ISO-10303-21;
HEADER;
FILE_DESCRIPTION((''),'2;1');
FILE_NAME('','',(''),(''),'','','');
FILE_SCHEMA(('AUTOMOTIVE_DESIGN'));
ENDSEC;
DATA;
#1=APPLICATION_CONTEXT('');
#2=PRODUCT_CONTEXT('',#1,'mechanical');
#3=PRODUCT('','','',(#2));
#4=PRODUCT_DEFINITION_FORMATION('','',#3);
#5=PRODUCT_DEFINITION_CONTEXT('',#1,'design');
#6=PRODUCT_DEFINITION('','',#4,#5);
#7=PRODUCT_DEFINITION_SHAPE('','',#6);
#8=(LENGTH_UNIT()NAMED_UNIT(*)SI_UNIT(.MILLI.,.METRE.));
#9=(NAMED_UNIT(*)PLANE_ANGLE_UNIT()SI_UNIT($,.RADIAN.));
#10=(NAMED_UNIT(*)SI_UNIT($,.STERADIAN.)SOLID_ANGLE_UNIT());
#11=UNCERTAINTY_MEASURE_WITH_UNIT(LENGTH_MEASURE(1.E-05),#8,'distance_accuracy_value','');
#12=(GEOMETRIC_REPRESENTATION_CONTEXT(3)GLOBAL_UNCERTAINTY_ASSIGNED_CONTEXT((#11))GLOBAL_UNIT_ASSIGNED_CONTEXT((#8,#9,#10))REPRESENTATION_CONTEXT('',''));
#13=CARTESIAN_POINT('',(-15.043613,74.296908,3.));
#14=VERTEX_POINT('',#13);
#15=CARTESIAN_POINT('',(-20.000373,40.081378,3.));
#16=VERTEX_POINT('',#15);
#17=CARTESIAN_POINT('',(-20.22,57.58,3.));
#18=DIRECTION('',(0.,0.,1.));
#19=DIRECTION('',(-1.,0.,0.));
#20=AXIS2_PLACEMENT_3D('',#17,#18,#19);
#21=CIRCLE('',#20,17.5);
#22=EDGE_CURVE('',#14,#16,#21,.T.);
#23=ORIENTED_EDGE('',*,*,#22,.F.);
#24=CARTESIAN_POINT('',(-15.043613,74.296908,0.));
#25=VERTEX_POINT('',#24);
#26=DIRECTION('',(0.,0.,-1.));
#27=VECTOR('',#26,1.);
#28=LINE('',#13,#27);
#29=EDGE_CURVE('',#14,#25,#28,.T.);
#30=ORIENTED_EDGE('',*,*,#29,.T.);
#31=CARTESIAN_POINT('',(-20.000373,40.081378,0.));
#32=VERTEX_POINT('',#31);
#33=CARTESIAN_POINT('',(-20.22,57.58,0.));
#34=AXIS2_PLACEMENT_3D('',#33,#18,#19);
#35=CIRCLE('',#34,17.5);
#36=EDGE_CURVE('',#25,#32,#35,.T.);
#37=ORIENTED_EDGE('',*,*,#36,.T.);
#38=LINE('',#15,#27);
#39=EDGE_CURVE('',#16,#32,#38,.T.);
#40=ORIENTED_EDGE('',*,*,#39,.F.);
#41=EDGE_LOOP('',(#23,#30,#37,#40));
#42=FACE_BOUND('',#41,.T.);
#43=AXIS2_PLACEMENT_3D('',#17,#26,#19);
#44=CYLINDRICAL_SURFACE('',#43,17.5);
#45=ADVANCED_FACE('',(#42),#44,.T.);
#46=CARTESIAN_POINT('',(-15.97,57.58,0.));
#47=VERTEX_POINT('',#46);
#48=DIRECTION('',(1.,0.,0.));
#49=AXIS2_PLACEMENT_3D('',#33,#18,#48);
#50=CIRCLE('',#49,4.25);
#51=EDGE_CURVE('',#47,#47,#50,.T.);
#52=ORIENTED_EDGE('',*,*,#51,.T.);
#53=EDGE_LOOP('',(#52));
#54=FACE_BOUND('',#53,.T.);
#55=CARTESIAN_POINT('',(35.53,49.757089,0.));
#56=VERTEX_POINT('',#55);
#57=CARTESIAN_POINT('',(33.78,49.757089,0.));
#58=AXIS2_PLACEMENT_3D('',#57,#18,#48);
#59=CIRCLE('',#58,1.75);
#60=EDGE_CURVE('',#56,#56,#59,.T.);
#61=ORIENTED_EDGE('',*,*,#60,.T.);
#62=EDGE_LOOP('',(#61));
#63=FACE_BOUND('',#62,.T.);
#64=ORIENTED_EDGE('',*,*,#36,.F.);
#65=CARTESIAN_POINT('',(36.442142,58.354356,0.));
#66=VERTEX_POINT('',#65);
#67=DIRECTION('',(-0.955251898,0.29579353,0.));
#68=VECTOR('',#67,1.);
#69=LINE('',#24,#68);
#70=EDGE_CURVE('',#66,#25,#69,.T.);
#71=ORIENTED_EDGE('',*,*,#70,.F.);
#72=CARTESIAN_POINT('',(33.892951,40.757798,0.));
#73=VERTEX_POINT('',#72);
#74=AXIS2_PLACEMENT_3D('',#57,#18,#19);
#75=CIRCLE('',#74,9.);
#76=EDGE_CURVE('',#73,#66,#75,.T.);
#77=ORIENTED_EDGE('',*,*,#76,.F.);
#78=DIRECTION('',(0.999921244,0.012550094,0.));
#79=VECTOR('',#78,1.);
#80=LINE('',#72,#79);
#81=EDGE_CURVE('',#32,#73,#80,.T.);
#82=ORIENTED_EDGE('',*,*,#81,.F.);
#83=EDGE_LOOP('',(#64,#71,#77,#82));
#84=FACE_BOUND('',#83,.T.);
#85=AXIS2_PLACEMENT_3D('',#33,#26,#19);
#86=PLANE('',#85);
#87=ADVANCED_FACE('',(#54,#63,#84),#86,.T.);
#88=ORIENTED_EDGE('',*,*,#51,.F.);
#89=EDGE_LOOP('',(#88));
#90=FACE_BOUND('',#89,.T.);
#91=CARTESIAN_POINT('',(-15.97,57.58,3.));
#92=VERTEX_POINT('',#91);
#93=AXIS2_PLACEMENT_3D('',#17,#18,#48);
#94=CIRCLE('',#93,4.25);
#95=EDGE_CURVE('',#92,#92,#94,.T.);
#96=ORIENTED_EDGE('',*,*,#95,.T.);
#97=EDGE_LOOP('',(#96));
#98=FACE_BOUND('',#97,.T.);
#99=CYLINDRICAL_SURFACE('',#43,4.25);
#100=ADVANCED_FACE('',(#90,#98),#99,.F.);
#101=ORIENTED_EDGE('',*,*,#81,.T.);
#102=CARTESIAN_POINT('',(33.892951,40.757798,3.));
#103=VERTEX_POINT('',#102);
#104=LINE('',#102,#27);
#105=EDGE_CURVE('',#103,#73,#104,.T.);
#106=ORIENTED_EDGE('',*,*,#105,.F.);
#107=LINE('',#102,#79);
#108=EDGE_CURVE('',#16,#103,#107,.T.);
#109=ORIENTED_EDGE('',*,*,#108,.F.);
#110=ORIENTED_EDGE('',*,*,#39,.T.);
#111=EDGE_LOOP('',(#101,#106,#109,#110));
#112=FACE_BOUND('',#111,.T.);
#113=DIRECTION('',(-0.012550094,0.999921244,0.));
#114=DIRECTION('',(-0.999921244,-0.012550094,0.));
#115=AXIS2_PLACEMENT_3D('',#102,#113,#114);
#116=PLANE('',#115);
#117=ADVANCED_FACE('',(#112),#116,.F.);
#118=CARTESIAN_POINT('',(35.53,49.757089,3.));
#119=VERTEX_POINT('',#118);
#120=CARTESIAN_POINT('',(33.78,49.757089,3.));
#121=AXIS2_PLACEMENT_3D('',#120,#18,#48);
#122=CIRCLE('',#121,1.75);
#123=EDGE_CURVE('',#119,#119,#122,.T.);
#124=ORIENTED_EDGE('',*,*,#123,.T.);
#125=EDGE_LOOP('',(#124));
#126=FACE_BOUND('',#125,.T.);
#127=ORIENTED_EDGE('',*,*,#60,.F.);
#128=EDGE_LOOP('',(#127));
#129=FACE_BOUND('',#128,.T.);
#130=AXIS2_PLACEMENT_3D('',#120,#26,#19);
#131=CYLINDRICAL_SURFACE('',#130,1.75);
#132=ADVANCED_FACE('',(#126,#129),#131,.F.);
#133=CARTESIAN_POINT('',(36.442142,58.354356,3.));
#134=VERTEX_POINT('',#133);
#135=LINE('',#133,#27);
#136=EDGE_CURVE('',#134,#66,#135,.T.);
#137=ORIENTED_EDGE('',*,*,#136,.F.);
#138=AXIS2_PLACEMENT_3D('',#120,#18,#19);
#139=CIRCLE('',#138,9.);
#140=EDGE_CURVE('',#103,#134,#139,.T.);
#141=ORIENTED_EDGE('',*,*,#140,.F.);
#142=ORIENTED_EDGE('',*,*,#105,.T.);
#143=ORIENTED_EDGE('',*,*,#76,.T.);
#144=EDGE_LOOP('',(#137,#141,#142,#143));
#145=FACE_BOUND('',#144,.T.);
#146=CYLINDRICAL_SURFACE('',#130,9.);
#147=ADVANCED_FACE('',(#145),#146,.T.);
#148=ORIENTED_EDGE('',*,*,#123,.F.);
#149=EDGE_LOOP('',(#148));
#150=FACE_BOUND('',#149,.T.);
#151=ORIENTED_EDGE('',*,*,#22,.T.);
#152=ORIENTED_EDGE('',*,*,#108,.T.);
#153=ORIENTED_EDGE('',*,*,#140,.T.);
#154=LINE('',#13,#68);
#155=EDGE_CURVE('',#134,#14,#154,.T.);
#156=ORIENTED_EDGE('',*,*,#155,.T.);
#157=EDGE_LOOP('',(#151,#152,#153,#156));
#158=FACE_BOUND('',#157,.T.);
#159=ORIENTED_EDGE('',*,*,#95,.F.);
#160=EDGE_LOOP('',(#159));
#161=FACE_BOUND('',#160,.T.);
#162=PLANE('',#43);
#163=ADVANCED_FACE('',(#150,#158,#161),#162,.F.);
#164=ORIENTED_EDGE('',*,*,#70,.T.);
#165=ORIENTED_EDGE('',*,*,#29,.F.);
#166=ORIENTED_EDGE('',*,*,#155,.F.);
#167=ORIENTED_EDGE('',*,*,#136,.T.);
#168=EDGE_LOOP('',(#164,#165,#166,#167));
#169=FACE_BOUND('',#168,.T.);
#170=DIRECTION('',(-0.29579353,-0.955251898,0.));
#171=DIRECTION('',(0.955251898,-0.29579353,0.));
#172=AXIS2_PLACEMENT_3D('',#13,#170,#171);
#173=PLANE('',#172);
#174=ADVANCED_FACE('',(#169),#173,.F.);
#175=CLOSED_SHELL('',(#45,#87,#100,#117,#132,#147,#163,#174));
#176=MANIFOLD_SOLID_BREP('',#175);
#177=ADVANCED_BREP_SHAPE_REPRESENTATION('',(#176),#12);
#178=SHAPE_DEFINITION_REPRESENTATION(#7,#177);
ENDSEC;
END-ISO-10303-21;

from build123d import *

# Parameters (mm, degrees)
SZKIC1_R                    = 4.25
SZKIC1_R_2                  = 1.75
DODANIE_WYCI_GNI_CIE1_DEPTH = 3


with BuildPart() as part:
    # Szkic1 → Dodanie-wyciągnięcie1 (new body)
    with BuildSketch(Plane.XY):
        with BuildLine():
            Line((-15.043613231, 74.296908208), (36.442141767, 58.354356054))
            ThreePointArc((36.442141767, 58.354356054), (42.687019735, 48.466740404), (33.892950846, 40.757797776))
            Line((33.892950846, 40.757797776), (-20.000373356, 40.081378222))
            ThreePointArc((-20.000373356, 40.081378222), (-37.539205041, 60.089011112), (-15.043613231, 74.296908208))
        make_face()
        with Locations((-20.22, 57.58)):
            Circle(SZKIC1_R, mode=Mode.SUBTRACT)
        with Locations((33.78, 49.757088976)):
            Circle(SZKIC1_R_2, mode=Mode.SUBTRACT)
    extrude(amount=DODANIE_WYCI_GNI_CIE1_DEPTH)


solid = part.part
